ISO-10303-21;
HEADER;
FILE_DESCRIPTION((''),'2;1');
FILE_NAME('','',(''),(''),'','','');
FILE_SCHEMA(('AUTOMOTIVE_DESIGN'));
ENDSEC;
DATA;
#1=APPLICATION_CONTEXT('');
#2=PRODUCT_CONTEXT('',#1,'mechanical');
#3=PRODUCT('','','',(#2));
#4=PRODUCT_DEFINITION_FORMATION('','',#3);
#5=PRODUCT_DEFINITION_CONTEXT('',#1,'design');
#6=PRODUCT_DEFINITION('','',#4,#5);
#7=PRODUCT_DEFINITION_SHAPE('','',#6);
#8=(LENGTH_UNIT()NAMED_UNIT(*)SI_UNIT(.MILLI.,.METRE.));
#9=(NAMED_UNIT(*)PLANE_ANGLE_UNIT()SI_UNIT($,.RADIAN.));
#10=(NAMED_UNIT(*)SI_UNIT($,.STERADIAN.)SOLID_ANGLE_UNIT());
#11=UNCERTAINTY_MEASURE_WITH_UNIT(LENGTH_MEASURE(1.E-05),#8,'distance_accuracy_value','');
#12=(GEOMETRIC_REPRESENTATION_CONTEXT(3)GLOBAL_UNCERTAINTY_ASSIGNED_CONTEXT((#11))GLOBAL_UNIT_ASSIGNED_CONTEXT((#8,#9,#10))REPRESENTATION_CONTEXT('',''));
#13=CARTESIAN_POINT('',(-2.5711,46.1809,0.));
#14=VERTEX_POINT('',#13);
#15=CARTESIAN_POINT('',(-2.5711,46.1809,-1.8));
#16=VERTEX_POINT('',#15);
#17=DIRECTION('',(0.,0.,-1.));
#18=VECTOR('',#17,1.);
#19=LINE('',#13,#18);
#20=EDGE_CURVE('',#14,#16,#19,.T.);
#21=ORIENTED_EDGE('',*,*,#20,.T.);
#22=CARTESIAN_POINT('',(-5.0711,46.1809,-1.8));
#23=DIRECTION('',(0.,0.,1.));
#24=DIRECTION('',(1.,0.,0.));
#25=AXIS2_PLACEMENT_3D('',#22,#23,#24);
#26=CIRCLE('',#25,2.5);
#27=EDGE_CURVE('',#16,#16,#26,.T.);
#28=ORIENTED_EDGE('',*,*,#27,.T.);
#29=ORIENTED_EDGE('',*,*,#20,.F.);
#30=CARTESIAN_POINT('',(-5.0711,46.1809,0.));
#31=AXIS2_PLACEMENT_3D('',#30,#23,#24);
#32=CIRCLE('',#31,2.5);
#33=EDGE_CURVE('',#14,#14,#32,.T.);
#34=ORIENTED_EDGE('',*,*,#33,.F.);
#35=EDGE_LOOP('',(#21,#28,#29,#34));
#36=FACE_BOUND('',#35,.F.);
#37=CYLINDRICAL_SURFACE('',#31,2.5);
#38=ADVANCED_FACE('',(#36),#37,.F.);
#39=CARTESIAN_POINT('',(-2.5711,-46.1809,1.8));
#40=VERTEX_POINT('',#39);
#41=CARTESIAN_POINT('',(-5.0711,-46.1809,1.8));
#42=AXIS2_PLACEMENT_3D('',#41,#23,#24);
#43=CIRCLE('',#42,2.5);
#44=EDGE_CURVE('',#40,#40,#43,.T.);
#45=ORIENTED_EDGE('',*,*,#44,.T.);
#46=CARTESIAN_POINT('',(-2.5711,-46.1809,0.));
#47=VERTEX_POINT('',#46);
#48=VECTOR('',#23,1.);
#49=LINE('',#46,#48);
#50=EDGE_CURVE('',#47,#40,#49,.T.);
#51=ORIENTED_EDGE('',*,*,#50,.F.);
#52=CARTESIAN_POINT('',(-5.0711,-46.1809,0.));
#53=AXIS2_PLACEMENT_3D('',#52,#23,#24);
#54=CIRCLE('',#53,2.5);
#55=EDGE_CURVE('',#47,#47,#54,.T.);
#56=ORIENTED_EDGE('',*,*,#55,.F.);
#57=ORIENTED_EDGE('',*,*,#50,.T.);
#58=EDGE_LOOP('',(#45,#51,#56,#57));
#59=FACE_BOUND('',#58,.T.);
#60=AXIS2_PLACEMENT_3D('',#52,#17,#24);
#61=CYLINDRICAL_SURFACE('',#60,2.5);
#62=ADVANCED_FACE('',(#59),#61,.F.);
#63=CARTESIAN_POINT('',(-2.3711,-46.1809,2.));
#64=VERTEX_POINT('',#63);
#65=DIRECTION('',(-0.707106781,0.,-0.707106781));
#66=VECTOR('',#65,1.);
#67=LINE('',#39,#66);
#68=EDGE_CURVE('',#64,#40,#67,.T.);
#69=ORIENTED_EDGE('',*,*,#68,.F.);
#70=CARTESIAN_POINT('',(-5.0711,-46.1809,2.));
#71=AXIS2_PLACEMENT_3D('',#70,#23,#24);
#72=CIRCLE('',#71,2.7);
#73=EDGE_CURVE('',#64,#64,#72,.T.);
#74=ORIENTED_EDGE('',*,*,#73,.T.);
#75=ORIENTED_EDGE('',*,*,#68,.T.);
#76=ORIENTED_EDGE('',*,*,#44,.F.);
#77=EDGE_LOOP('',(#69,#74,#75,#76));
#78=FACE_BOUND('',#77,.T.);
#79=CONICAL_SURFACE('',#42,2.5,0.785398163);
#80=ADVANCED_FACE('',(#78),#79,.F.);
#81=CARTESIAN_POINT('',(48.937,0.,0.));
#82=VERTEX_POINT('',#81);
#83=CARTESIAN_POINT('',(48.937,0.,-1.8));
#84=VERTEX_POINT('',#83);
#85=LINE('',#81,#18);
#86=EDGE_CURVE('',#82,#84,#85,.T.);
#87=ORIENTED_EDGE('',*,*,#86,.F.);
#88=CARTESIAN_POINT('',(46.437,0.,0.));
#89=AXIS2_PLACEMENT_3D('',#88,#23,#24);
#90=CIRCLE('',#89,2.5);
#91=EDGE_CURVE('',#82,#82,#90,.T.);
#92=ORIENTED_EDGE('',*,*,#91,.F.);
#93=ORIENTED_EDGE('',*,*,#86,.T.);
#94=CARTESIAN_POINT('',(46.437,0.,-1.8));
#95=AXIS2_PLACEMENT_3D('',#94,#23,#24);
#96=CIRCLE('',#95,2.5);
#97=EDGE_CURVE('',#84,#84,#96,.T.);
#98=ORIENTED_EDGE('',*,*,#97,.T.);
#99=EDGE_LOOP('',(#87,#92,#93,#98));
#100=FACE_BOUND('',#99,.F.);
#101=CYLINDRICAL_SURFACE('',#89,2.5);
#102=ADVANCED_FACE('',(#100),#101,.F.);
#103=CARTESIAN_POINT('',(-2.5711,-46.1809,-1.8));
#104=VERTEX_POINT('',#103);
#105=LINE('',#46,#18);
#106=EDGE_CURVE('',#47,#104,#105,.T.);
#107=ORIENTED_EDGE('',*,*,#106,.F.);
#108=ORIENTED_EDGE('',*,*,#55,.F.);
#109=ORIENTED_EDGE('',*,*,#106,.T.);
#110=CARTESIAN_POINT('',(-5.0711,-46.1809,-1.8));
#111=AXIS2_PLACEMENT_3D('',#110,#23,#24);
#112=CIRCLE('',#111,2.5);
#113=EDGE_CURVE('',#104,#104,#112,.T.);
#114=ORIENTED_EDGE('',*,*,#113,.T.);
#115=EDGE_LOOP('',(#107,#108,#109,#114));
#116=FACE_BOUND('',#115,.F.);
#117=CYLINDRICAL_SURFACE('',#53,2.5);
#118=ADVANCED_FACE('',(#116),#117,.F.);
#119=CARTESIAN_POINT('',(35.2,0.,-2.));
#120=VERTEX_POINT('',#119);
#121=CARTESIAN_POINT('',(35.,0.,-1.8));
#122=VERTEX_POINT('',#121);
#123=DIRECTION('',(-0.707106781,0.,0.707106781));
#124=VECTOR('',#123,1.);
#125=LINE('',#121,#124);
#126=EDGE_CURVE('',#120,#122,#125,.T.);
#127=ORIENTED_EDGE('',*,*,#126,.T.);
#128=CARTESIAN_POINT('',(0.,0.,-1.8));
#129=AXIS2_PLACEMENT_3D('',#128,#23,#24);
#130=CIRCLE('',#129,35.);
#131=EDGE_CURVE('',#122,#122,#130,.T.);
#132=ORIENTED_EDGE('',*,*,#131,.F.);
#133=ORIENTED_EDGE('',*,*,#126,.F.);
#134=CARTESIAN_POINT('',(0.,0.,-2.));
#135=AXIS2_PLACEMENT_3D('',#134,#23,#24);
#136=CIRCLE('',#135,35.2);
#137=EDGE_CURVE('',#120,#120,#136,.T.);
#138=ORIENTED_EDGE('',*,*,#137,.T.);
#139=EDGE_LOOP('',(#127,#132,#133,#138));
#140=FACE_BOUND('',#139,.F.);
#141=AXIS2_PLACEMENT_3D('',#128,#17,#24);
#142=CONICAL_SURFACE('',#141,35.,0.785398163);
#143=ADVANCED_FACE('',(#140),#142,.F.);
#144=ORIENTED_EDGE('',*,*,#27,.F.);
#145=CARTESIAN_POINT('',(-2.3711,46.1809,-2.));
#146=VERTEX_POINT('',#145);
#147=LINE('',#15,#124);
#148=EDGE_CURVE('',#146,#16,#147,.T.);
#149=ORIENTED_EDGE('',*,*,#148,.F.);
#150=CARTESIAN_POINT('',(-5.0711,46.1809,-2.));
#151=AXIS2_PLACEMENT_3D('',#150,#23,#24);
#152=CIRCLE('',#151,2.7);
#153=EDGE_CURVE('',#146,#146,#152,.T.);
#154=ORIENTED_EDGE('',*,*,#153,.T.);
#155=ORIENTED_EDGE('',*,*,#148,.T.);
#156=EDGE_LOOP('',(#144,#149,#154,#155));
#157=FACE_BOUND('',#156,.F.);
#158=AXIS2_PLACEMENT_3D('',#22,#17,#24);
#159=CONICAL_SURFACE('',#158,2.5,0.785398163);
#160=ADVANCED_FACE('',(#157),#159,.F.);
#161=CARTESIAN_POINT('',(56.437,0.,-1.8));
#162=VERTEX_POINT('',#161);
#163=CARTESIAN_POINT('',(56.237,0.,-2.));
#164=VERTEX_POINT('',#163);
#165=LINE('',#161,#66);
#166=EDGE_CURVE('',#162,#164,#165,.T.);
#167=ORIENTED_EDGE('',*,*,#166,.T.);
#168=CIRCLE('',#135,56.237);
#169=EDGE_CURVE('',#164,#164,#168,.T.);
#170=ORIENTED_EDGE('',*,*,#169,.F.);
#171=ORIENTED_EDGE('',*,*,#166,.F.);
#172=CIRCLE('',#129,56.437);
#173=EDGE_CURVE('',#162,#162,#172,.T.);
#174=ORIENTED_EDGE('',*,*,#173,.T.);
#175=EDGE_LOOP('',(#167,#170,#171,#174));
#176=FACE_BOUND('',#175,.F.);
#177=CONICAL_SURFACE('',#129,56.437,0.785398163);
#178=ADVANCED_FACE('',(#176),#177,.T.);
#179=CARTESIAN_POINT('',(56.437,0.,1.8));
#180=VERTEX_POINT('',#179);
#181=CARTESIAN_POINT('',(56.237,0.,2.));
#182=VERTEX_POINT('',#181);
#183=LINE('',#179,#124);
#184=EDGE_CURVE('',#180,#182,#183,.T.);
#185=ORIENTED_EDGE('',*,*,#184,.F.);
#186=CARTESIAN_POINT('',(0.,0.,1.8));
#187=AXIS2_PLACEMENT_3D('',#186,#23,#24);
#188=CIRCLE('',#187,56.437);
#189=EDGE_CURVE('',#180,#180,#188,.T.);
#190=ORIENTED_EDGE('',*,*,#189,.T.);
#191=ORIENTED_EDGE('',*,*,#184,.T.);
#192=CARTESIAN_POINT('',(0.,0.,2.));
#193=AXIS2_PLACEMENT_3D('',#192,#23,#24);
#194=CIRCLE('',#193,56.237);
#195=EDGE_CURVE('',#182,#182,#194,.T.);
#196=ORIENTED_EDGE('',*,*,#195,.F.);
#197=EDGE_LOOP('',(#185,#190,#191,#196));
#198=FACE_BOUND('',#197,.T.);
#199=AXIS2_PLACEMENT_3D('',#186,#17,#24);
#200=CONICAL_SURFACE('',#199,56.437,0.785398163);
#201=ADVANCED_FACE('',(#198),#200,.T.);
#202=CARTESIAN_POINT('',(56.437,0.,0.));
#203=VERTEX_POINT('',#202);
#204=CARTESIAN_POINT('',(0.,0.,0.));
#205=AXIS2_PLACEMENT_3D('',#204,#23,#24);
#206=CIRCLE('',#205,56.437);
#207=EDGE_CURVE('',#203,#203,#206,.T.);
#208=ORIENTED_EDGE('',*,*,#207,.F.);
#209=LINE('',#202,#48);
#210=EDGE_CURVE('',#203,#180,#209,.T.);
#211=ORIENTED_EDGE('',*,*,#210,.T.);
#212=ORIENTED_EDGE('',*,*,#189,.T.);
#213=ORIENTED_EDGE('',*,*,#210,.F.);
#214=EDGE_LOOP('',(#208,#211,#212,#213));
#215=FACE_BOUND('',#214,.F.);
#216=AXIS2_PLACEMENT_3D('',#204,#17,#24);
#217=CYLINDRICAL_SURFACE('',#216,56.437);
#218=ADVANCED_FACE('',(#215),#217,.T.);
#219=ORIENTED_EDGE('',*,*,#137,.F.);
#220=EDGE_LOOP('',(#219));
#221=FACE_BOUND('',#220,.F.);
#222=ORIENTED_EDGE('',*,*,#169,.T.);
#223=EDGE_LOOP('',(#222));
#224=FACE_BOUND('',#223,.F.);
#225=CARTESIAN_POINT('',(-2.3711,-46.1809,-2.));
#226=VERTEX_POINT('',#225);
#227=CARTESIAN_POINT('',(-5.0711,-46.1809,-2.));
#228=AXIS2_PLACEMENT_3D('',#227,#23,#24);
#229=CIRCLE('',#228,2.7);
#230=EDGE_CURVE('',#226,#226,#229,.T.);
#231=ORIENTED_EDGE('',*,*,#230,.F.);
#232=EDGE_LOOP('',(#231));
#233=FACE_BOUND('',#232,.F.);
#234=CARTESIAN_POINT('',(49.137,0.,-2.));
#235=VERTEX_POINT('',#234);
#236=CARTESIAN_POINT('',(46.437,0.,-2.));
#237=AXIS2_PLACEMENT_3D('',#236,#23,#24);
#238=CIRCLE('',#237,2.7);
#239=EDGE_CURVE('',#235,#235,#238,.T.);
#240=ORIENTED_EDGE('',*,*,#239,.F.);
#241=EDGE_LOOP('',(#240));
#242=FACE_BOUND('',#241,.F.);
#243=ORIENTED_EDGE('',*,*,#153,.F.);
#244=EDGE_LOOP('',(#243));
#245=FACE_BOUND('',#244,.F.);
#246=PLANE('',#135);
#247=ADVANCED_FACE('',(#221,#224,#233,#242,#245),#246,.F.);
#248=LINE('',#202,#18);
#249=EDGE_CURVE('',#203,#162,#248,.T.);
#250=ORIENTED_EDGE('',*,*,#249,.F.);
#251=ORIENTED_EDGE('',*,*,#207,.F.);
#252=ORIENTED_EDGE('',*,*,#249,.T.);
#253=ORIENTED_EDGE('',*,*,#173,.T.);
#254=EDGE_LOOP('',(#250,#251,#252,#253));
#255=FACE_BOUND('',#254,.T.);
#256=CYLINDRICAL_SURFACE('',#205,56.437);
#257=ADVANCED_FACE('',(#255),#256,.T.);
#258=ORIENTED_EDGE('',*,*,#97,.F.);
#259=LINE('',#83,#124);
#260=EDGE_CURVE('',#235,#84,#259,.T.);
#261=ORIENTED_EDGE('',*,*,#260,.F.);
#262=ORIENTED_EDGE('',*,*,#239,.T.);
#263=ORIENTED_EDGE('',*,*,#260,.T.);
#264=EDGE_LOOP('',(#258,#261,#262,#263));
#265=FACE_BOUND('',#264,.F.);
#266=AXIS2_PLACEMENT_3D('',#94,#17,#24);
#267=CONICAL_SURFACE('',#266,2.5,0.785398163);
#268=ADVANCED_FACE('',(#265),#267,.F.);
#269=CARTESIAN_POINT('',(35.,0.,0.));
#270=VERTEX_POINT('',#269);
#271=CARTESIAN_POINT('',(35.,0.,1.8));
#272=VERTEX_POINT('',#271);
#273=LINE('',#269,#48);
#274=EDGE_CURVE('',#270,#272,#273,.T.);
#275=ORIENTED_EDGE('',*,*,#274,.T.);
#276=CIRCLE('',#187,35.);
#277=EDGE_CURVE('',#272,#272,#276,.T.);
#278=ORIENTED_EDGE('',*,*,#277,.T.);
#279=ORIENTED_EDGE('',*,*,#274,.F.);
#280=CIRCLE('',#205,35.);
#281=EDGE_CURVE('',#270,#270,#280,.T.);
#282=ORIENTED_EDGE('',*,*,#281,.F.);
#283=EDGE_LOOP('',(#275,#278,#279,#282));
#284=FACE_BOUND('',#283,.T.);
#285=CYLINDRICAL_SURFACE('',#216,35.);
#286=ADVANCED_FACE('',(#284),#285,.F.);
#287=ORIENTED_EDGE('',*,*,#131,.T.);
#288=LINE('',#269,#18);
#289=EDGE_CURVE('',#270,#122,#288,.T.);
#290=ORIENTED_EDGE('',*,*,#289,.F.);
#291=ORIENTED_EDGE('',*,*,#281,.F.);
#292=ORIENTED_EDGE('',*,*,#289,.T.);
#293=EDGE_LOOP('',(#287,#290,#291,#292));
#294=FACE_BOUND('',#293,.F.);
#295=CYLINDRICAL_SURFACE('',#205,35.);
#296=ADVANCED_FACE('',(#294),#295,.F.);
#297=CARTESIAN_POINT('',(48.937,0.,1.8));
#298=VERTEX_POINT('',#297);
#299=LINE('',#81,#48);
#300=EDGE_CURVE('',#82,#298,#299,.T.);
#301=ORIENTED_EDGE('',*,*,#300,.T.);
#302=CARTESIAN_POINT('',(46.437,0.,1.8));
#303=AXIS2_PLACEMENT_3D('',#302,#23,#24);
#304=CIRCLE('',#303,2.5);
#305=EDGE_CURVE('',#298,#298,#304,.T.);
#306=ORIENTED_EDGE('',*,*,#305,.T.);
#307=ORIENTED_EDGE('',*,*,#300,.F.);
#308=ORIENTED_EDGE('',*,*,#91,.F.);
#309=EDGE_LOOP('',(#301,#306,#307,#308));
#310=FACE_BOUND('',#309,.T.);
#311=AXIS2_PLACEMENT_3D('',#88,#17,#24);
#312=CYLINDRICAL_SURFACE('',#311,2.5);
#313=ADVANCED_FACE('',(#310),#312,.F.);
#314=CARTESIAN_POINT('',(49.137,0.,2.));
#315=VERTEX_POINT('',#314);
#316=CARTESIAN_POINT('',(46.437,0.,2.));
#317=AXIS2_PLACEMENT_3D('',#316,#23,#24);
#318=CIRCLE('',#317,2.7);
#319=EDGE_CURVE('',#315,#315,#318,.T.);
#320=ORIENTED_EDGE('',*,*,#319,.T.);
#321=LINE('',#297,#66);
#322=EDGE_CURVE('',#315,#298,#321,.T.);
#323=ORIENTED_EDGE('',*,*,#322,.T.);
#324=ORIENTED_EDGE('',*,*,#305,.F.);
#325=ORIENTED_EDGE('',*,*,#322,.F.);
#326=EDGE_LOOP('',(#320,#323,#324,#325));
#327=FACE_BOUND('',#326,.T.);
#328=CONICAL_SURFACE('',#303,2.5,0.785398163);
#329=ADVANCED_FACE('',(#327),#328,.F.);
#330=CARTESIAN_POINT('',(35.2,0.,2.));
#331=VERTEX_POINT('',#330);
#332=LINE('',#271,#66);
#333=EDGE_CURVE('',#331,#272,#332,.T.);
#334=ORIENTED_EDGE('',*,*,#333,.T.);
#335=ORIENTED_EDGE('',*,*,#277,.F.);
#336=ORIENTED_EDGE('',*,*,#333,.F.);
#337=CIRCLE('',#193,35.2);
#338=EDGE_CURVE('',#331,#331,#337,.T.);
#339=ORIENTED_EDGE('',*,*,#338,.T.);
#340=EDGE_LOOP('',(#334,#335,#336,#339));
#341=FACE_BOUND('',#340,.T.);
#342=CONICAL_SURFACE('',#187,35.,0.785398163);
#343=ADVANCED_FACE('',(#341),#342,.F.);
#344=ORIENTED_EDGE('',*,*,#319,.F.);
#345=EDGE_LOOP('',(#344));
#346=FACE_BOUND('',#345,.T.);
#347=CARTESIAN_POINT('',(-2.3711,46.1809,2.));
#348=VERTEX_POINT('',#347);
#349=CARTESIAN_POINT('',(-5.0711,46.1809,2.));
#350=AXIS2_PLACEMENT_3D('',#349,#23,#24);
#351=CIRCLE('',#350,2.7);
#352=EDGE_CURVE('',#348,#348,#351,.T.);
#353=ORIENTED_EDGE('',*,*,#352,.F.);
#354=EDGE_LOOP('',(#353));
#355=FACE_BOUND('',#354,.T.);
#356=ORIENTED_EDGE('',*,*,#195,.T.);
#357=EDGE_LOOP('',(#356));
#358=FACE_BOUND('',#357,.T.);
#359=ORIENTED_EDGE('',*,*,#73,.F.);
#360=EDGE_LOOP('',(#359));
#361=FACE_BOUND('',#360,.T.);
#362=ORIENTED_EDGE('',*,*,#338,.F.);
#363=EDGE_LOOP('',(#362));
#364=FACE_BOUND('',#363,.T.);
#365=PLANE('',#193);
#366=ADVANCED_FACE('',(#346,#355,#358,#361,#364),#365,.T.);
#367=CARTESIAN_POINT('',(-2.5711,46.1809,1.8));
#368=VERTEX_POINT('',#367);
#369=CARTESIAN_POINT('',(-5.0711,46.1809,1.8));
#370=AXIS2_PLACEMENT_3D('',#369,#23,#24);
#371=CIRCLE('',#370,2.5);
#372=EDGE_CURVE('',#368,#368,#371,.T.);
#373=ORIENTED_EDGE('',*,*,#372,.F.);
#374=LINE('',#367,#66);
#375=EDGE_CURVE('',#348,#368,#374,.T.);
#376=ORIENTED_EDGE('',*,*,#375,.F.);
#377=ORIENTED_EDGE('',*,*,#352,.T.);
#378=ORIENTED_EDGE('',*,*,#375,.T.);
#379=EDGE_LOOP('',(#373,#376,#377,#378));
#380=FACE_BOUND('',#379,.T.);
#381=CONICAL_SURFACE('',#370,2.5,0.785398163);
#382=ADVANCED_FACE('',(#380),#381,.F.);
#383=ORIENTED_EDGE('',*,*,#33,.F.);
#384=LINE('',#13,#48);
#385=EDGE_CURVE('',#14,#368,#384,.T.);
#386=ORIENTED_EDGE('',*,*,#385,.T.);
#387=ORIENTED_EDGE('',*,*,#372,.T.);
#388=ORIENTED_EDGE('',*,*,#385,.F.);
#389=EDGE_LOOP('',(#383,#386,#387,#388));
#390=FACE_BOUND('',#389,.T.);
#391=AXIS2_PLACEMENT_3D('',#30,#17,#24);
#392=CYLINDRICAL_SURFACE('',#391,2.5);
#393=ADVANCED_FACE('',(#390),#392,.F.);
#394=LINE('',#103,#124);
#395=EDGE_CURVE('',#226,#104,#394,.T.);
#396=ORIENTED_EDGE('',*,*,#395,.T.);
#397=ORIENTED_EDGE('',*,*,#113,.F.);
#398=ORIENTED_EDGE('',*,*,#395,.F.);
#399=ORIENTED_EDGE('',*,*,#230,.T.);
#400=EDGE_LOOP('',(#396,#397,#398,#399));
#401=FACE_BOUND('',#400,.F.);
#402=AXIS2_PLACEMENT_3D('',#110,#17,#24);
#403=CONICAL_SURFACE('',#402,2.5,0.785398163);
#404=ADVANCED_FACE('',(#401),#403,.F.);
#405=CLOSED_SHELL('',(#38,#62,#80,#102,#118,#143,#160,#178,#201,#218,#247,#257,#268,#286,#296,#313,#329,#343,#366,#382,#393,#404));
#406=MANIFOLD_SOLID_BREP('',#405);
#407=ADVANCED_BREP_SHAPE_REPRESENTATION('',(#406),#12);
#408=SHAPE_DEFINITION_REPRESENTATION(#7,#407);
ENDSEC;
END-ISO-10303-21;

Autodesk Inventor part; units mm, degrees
ref_plane "YZ Plane" through (0, 0, 0) normal (1, 0, 0) x (0, 1, 0)
ref_plane "XZ Plane" through (0, 0, 0) normal (0, 1, 0) x (-1, 0, 0)
ref_plane "XY Plane" through (0, 0, 0) normal (0, 0, 1) x (1, 0, 0)
sketch "Sketch1" plane through (0, 0, 0) normal (0, 0, 1) x (1, 0, 0)
  circle A0 centre (0, 0) radius 56.437
  circle A1 centre (0, 0) radius 35
  circle A2 centre (46.437, 0) radius 2.5
  circle A3 centre (0, 0) radius 11.5
  circle A4 centre (-5.0711, 46.1809) radius 2.5
  circle A5 centre (-5.0711, -46.1809) radius 2.5
  point P0 (46.4372, 0)
  dimension "d0" = 112.874
  dimension "d1" = 70
  dimension "d2" = 5
  dimension "d3" = 46.437
  dimension "d4" = 23
  dimension "d5" = 46.1809
  dimension "d6" = 46.4372
  dimension "d7" = 46.1809
  dimension "d8" = 5.0711
  dimension "d9" = 5.0711
extrude "Extrusion1" add sketch "Sketch1" along normal mid plane 4 contours A0
chamfer "Chamfer1" distance 0.2 angle 45 10 edges at (-56.437, 0, 2) (43.937, 0, 2) (-7.5711, -46.1809, 2) (-7.5711, 46.1809, 2) (-35, 0, 2) (-35, 0, -2) (-7.5711, 46.1809, -2) (-7.5711, -46.1809, -2) (43.937, 0, -2) (-56.437, 0, -2)
properties part number "AxiaalLagerBevestiging" material "Aluminum 6061"
